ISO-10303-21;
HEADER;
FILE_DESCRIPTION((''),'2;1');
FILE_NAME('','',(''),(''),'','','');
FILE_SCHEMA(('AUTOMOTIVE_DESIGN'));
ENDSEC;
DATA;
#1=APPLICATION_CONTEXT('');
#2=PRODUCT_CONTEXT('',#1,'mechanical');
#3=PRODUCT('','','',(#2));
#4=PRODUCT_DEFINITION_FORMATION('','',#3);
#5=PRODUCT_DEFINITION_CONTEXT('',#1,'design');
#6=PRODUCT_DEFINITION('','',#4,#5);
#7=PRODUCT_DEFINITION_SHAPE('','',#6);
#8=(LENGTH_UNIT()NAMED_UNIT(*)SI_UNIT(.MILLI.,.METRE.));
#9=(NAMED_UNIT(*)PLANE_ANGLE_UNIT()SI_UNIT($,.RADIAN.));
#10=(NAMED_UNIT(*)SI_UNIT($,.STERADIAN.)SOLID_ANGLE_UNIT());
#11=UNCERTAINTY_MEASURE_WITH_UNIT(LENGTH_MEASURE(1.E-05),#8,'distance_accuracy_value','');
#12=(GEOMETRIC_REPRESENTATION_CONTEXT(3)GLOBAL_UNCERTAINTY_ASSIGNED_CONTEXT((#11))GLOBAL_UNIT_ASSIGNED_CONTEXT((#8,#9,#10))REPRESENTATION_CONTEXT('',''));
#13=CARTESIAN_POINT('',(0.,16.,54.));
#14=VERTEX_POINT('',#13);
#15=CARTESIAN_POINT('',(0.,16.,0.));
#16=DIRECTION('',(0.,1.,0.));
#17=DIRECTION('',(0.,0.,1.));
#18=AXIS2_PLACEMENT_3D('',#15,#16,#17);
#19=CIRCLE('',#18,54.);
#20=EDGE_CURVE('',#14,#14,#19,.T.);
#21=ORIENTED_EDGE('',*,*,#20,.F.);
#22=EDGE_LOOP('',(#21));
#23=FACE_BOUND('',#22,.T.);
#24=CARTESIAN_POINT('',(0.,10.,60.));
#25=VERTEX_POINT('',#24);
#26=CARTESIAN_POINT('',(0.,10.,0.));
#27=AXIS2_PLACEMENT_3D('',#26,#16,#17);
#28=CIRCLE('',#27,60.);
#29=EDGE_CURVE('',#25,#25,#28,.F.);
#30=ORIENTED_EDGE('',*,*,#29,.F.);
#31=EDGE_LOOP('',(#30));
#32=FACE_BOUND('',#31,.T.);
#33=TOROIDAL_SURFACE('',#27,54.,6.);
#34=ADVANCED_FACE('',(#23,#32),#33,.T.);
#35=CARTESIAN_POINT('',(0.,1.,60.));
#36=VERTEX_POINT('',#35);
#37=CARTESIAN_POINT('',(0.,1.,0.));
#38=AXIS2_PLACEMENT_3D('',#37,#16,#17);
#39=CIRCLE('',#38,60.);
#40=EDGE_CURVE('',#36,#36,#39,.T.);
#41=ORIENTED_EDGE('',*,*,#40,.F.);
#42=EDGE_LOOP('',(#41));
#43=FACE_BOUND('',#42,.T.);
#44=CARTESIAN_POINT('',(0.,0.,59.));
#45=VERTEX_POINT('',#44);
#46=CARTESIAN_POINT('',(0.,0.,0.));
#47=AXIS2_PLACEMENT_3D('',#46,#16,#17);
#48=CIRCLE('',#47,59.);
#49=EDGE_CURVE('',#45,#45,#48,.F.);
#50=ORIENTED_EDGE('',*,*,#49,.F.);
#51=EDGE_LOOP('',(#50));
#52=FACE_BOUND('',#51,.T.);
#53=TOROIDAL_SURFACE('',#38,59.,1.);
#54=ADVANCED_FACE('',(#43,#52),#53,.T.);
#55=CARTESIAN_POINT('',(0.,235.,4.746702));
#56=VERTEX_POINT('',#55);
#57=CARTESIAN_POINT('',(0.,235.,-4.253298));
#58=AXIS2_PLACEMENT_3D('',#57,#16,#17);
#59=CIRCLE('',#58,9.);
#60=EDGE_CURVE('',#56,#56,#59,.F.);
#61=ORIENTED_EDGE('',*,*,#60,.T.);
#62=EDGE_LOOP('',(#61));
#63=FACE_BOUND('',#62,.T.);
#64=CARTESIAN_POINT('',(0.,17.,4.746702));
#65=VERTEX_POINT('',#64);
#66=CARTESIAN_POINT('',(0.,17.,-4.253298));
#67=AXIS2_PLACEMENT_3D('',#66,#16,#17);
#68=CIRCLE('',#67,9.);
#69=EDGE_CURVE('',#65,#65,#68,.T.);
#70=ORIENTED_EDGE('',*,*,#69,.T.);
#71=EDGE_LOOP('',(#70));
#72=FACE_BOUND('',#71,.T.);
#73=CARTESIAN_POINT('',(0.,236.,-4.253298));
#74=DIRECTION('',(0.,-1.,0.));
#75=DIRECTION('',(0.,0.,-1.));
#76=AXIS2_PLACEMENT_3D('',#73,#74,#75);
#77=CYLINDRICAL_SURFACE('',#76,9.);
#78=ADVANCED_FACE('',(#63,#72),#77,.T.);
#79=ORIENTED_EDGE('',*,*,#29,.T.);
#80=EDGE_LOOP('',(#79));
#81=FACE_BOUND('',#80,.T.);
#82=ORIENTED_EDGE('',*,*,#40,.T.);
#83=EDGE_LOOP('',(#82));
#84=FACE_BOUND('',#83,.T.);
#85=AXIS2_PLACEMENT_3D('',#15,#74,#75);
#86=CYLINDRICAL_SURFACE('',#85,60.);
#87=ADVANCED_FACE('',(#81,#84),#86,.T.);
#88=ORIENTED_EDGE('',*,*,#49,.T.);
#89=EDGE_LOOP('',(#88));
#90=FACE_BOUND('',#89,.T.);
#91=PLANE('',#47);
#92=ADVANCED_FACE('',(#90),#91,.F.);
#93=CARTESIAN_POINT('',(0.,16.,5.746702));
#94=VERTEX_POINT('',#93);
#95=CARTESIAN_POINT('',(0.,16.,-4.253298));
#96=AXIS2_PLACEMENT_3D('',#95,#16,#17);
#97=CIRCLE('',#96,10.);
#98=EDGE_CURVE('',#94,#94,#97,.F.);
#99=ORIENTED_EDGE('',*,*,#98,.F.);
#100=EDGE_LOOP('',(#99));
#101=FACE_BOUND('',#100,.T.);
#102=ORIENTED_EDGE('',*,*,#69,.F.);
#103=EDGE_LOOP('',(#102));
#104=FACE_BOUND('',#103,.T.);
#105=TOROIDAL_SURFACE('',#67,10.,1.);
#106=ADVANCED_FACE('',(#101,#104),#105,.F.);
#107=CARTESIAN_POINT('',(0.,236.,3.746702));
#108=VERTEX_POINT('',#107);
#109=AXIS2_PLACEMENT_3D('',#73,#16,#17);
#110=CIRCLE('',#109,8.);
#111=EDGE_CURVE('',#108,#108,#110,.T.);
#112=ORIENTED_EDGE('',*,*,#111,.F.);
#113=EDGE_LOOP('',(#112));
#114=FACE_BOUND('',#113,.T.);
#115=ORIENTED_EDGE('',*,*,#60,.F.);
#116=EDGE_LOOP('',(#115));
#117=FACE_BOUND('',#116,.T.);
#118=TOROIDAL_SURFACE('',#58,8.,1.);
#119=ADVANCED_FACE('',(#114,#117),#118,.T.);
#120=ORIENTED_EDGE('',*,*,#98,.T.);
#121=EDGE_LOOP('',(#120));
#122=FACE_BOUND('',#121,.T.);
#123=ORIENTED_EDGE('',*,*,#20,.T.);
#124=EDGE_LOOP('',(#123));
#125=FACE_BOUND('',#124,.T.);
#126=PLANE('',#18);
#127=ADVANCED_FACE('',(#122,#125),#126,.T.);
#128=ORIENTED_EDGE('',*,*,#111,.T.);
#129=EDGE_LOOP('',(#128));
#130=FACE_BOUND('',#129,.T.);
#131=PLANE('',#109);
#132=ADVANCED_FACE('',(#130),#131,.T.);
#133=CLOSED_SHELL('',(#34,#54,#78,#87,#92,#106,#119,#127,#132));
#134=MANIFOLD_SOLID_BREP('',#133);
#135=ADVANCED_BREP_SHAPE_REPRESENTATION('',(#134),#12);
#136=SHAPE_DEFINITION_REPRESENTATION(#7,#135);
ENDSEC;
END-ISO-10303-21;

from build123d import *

# Parameters (mm, degrees)
SKETCH1_R           = 60
BOSS_EXTRUDE1_DEPTH = 16
SKETCH2_R           = 9
BOSS_EXTRUDE2_DEPTH = 220
FILLET1_R           = 6
FILLET2_R           = 1


with BuildPart() as part:
    # Sketch1 → Boss-Extrude1 (new body)
    with BuildSketch(Plane(origin=(0, 0, 0), x_dir=(1, 0, 0), z_dir=(0, 1, 0))):
        Circle(SKETCH1_R)
    extrude(amount=BOSS_EXTRUDE1_DEPTH)

    # Sketch2 → Boss-Extrude2 (add)
    with BuildSketch(Plane(origin=(0, 16, 0), x_dir=(1, 0, 0), z_dir=(0, 1, 0))):
        with Locations((0, 4.253298282)):
            Circle(SKETCH2_R)
    extrude(amount=BOSS_EXTRUDE2_DEPTH)

    # Fillet1
    fillet1_edges = [part.edges().sort_by_distance(p)[0] for p in [
        (-60, 16, 0),
    ]]
    fillet(fillet1_edges, radius=FILLET1_R)

    # Fillet2
    fillet2_edges = [part.edges().sort_by_distance(p)[0] for p in [
        (-60, 0, 0),
        (-9, 16, -4.253298282),
        (-9, 236, -4.253298282),
    ]]
    fillet(fillet2_edges, radius=FILLET2_R)


solid = part.part
